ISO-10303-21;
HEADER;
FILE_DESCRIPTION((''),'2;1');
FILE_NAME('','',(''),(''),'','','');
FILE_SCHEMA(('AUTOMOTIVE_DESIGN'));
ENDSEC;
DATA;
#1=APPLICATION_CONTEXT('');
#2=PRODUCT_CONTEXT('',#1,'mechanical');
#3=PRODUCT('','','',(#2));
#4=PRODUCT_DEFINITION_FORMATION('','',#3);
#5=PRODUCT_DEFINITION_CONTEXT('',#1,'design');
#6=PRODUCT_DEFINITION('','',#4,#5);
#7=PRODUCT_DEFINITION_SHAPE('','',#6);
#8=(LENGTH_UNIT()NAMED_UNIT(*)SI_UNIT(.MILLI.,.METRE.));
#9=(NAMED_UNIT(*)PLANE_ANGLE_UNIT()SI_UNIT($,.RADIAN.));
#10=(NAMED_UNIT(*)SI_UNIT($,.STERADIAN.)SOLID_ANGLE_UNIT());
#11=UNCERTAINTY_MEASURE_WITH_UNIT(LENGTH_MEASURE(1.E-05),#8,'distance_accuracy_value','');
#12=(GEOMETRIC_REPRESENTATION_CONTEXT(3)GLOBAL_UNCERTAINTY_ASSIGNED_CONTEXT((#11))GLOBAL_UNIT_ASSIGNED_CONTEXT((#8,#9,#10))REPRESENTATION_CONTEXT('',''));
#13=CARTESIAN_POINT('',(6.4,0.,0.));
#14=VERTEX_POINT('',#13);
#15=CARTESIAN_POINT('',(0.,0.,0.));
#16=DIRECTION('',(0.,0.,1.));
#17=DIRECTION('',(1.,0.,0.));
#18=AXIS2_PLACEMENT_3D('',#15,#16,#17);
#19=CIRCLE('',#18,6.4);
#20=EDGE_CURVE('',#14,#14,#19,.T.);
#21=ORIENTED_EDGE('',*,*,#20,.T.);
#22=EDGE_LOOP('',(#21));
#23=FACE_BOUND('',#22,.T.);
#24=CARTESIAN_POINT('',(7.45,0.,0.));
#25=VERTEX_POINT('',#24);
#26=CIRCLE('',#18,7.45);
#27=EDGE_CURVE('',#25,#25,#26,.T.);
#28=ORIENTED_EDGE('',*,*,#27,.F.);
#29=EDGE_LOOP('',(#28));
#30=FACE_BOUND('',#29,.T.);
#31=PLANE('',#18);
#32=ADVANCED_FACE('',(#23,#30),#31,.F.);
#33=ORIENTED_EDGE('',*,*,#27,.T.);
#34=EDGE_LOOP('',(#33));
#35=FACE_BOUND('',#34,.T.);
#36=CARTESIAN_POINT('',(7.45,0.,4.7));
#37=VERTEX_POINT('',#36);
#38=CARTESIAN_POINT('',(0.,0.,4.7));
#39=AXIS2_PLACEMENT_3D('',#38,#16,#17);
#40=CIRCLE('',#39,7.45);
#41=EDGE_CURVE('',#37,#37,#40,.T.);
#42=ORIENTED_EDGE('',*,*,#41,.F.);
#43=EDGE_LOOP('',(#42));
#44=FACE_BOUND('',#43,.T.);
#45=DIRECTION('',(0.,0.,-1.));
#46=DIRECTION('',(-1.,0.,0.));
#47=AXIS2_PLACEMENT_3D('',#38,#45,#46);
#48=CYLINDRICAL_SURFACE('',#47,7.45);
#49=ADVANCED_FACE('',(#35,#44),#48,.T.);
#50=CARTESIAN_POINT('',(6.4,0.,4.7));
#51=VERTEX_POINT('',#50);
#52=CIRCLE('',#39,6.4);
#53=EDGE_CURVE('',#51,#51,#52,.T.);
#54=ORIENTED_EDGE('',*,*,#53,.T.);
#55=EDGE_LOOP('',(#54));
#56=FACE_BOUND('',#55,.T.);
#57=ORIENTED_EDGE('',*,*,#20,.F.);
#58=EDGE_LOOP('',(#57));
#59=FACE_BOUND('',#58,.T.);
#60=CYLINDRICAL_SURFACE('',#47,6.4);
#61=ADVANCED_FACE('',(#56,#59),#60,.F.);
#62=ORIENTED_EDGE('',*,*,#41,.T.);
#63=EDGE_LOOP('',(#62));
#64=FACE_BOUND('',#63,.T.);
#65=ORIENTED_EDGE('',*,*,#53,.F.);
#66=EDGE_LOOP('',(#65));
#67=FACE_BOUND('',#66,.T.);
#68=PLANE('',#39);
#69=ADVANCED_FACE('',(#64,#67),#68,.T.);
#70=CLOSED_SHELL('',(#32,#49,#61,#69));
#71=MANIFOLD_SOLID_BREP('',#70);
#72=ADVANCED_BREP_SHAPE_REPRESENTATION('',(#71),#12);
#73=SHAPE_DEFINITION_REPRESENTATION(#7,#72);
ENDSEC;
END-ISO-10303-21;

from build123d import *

# Parameters (mm, degrees)
SKETCH1_R           = 7.45
SKETCH1_R_2         = 6.4
BOSS_EXTRUDE1_DEPTH = 4.7


with BuildPart() as part:
    # Sketch1 → Boss-Extrude1 (new body)
    with BuildSketch(Plane.XY):
        Circle(SKETCH1_R)
        Circle(SKETCH1_R_2, mode=Mode.SUBTRACT)
    extrude(amount=BOSS_EXTRUDE1_DEPTH)


solid = part.part
